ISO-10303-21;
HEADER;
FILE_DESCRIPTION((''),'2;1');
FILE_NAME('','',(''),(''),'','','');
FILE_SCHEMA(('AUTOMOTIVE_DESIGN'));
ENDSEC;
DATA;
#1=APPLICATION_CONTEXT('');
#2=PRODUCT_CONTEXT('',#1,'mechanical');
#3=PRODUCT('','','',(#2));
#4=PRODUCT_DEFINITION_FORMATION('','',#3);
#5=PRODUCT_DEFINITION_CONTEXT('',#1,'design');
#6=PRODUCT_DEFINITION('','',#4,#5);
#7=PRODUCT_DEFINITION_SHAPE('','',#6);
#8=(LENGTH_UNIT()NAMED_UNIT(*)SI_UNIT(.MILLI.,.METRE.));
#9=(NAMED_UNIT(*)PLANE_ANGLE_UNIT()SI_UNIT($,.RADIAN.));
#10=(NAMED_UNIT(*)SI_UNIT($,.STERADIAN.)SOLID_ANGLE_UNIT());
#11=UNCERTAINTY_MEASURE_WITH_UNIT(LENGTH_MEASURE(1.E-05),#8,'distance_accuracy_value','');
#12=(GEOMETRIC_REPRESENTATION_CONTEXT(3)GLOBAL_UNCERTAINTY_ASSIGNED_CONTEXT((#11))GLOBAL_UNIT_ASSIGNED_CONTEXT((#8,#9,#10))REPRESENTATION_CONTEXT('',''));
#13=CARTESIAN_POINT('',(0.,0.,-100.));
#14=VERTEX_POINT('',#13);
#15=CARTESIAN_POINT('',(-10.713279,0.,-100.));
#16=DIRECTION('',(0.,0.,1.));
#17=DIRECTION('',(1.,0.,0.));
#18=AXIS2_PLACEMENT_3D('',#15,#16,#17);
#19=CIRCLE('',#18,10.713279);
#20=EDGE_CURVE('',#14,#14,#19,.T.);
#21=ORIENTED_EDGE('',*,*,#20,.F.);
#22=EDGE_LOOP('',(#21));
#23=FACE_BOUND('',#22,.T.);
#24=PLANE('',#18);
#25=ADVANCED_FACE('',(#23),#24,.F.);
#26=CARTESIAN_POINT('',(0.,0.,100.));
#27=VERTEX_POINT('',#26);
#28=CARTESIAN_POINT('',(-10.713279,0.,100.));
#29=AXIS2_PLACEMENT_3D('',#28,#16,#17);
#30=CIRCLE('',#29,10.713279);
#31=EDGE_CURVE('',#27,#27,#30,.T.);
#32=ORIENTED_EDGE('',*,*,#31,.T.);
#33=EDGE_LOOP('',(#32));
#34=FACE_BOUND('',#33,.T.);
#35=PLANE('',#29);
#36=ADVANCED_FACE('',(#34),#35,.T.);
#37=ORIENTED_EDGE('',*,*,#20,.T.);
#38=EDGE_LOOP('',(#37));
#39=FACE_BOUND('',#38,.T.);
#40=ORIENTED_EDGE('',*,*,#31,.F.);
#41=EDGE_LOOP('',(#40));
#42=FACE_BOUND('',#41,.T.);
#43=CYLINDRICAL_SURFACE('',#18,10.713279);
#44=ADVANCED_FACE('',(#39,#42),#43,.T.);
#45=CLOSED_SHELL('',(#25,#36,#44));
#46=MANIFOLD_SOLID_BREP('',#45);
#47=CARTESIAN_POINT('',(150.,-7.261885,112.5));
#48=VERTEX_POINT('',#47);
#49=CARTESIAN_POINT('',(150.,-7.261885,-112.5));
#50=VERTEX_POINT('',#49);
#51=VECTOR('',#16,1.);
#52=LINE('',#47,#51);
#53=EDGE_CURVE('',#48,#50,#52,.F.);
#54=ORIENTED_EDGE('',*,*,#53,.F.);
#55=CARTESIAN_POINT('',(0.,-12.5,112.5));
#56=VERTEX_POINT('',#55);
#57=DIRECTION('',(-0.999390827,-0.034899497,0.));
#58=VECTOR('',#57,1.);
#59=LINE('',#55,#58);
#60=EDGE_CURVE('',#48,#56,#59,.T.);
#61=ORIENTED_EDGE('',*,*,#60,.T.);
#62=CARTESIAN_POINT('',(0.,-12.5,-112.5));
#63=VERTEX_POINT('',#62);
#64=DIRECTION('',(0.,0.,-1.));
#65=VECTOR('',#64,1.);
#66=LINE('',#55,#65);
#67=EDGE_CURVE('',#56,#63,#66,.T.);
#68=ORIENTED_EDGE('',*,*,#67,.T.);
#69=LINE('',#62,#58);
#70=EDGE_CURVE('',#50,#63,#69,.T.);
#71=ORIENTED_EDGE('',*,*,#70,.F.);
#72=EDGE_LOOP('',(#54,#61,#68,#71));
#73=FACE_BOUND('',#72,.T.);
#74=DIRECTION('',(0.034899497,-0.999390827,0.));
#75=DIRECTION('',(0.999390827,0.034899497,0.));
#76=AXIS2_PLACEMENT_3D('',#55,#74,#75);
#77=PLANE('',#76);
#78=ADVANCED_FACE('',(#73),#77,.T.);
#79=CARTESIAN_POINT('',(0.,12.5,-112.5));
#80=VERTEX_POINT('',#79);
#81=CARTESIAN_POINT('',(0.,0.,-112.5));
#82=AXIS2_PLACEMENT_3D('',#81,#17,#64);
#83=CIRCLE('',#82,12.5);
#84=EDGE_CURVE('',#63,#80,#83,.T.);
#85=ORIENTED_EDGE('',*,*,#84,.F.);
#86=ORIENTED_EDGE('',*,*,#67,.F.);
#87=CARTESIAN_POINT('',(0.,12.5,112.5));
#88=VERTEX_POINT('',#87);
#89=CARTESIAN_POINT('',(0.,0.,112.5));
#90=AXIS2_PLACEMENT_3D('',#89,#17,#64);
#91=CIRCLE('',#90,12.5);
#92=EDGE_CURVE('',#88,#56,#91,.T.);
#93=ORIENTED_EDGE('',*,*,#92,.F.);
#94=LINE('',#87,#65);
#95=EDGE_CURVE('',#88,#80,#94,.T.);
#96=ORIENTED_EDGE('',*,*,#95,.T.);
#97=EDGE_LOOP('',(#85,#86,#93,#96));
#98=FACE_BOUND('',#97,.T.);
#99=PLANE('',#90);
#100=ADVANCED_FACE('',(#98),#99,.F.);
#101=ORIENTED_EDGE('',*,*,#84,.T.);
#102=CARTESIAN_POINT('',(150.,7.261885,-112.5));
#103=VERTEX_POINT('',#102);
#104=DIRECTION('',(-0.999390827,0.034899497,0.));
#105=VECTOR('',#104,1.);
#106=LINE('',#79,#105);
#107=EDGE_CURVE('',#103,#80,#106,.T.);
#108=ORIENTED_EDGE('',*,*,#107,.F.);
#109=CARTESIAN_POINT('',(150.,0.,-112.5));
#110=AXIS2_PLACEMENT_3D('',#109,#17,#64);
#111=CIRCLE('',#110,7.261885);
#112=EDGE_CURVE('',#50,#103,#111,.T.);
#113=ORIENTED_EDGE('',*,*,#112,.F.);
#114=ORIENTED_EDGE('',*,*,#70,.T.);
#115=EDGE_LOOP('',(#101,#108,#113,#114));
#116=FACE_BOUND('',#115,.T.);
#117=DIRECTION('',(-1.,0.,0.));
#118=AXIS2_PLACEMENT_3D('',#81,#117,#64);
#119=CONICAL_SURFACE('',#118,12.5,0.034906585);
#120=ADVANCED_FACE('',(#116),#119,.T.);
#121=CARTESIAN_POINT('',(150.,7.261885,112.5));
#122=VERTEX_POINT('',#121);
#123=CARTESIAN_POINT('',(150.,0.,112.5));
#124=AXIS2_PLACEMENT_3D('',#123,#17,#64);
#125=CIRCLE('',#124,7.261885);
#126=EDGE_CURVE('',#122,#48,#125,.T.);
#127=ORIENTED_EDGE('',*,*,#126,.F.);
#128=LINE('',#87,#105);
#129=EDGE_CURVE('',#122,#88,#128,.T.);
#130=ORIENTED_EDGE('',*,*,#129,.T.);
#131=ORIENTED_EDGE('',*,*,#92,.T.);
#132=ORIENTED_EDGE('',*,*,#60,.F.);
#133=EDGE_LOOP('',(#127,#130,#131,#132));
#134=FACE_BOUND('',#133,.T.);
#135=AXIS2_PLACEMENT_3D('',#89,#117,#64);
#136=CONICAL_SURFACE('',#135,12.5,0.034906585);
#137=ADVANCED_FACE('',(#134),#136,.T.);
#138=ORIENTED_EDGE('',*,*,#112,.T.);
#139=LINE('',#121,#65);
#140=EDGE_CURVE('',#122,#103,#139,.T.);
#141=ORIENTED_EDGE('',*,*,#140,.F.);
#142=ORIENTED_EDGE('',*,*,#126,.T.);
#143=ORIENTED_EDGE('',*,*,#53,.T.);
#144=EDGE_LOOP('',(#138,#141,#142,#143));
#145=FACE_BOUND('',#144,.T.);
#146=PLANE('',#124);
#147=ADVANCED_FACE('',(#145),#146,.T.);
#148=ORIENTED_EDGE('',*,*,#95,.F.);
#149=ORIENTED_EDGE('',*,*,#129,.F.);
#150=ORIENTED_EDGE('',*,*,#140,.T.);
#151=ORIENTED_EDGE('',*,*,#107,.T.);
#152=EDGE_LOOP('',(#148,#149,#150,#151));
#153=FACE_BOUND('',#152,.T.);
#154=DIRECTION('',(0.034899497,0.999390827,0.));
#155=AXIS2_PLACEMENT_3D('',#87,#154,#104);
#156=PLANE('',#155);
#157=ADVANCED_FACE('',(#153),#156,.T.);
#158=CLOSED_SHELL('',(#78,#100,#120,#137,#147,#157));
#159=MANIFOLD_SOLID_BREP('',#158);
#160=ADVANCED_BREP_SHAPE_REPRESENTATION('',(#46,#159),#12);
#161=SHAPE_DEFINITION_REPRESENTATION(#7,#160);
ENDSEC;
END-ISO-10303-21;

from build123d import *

# Parameters (mm, degrees)
BOSS_EXTRUDE1_DEPTH      = 150
BOSS_EXTRUDE1_TAPER      = 2
BOSS_EXTRUDE3_DEPTH      = 100
BOSS_EXTRUDE3_DEPTH_BACK = 100
SKETCH3_R                = 10.713278849


with BuildPart() as part:
    # Sketch1 → Boss-Extrude1 (new body)
    with BuildSketch(Plane(origin=(0, 0, 0), x_dir=(0, 0, -1), z_dir=(1, 0, 0))):
        with BuildLine():
            ThreePointArc((-112.5, 12.5), (-125, 0), (-112.5, -12.5))
            Line((-112.5, -12.5), (112.5, -12.5))
            ThreePointArc((112.5, -12.5), (125, 0), (112.5, 12.5))
            Line((112.5, 12.5), (-112.5, 12.5))
        make_face()
    extrude(amount=BOSS_EXTRUDE1_DEPTH, taper=BOSS_EXTRUDE1_TAPER)


with BuildPart() as body_2:
    # Sketch3 → Boss-Extrude3 (new, two sides: drawn at the far end of the back side and taken through both)
    with BuildSketch(Plane.XY.offset(-BOSS_EXTRUDE3_DEPTH_BACK)):
        with Locations((-10.713278849, 0)):
            Circle(SKETCH3_R)
    extrude(amount=BOSS_EXTRUDE3_DEPTH + BOSS_EXTRUDE3_DEPTH_BACK)


solid = Compound([part.part, body_2.part])
